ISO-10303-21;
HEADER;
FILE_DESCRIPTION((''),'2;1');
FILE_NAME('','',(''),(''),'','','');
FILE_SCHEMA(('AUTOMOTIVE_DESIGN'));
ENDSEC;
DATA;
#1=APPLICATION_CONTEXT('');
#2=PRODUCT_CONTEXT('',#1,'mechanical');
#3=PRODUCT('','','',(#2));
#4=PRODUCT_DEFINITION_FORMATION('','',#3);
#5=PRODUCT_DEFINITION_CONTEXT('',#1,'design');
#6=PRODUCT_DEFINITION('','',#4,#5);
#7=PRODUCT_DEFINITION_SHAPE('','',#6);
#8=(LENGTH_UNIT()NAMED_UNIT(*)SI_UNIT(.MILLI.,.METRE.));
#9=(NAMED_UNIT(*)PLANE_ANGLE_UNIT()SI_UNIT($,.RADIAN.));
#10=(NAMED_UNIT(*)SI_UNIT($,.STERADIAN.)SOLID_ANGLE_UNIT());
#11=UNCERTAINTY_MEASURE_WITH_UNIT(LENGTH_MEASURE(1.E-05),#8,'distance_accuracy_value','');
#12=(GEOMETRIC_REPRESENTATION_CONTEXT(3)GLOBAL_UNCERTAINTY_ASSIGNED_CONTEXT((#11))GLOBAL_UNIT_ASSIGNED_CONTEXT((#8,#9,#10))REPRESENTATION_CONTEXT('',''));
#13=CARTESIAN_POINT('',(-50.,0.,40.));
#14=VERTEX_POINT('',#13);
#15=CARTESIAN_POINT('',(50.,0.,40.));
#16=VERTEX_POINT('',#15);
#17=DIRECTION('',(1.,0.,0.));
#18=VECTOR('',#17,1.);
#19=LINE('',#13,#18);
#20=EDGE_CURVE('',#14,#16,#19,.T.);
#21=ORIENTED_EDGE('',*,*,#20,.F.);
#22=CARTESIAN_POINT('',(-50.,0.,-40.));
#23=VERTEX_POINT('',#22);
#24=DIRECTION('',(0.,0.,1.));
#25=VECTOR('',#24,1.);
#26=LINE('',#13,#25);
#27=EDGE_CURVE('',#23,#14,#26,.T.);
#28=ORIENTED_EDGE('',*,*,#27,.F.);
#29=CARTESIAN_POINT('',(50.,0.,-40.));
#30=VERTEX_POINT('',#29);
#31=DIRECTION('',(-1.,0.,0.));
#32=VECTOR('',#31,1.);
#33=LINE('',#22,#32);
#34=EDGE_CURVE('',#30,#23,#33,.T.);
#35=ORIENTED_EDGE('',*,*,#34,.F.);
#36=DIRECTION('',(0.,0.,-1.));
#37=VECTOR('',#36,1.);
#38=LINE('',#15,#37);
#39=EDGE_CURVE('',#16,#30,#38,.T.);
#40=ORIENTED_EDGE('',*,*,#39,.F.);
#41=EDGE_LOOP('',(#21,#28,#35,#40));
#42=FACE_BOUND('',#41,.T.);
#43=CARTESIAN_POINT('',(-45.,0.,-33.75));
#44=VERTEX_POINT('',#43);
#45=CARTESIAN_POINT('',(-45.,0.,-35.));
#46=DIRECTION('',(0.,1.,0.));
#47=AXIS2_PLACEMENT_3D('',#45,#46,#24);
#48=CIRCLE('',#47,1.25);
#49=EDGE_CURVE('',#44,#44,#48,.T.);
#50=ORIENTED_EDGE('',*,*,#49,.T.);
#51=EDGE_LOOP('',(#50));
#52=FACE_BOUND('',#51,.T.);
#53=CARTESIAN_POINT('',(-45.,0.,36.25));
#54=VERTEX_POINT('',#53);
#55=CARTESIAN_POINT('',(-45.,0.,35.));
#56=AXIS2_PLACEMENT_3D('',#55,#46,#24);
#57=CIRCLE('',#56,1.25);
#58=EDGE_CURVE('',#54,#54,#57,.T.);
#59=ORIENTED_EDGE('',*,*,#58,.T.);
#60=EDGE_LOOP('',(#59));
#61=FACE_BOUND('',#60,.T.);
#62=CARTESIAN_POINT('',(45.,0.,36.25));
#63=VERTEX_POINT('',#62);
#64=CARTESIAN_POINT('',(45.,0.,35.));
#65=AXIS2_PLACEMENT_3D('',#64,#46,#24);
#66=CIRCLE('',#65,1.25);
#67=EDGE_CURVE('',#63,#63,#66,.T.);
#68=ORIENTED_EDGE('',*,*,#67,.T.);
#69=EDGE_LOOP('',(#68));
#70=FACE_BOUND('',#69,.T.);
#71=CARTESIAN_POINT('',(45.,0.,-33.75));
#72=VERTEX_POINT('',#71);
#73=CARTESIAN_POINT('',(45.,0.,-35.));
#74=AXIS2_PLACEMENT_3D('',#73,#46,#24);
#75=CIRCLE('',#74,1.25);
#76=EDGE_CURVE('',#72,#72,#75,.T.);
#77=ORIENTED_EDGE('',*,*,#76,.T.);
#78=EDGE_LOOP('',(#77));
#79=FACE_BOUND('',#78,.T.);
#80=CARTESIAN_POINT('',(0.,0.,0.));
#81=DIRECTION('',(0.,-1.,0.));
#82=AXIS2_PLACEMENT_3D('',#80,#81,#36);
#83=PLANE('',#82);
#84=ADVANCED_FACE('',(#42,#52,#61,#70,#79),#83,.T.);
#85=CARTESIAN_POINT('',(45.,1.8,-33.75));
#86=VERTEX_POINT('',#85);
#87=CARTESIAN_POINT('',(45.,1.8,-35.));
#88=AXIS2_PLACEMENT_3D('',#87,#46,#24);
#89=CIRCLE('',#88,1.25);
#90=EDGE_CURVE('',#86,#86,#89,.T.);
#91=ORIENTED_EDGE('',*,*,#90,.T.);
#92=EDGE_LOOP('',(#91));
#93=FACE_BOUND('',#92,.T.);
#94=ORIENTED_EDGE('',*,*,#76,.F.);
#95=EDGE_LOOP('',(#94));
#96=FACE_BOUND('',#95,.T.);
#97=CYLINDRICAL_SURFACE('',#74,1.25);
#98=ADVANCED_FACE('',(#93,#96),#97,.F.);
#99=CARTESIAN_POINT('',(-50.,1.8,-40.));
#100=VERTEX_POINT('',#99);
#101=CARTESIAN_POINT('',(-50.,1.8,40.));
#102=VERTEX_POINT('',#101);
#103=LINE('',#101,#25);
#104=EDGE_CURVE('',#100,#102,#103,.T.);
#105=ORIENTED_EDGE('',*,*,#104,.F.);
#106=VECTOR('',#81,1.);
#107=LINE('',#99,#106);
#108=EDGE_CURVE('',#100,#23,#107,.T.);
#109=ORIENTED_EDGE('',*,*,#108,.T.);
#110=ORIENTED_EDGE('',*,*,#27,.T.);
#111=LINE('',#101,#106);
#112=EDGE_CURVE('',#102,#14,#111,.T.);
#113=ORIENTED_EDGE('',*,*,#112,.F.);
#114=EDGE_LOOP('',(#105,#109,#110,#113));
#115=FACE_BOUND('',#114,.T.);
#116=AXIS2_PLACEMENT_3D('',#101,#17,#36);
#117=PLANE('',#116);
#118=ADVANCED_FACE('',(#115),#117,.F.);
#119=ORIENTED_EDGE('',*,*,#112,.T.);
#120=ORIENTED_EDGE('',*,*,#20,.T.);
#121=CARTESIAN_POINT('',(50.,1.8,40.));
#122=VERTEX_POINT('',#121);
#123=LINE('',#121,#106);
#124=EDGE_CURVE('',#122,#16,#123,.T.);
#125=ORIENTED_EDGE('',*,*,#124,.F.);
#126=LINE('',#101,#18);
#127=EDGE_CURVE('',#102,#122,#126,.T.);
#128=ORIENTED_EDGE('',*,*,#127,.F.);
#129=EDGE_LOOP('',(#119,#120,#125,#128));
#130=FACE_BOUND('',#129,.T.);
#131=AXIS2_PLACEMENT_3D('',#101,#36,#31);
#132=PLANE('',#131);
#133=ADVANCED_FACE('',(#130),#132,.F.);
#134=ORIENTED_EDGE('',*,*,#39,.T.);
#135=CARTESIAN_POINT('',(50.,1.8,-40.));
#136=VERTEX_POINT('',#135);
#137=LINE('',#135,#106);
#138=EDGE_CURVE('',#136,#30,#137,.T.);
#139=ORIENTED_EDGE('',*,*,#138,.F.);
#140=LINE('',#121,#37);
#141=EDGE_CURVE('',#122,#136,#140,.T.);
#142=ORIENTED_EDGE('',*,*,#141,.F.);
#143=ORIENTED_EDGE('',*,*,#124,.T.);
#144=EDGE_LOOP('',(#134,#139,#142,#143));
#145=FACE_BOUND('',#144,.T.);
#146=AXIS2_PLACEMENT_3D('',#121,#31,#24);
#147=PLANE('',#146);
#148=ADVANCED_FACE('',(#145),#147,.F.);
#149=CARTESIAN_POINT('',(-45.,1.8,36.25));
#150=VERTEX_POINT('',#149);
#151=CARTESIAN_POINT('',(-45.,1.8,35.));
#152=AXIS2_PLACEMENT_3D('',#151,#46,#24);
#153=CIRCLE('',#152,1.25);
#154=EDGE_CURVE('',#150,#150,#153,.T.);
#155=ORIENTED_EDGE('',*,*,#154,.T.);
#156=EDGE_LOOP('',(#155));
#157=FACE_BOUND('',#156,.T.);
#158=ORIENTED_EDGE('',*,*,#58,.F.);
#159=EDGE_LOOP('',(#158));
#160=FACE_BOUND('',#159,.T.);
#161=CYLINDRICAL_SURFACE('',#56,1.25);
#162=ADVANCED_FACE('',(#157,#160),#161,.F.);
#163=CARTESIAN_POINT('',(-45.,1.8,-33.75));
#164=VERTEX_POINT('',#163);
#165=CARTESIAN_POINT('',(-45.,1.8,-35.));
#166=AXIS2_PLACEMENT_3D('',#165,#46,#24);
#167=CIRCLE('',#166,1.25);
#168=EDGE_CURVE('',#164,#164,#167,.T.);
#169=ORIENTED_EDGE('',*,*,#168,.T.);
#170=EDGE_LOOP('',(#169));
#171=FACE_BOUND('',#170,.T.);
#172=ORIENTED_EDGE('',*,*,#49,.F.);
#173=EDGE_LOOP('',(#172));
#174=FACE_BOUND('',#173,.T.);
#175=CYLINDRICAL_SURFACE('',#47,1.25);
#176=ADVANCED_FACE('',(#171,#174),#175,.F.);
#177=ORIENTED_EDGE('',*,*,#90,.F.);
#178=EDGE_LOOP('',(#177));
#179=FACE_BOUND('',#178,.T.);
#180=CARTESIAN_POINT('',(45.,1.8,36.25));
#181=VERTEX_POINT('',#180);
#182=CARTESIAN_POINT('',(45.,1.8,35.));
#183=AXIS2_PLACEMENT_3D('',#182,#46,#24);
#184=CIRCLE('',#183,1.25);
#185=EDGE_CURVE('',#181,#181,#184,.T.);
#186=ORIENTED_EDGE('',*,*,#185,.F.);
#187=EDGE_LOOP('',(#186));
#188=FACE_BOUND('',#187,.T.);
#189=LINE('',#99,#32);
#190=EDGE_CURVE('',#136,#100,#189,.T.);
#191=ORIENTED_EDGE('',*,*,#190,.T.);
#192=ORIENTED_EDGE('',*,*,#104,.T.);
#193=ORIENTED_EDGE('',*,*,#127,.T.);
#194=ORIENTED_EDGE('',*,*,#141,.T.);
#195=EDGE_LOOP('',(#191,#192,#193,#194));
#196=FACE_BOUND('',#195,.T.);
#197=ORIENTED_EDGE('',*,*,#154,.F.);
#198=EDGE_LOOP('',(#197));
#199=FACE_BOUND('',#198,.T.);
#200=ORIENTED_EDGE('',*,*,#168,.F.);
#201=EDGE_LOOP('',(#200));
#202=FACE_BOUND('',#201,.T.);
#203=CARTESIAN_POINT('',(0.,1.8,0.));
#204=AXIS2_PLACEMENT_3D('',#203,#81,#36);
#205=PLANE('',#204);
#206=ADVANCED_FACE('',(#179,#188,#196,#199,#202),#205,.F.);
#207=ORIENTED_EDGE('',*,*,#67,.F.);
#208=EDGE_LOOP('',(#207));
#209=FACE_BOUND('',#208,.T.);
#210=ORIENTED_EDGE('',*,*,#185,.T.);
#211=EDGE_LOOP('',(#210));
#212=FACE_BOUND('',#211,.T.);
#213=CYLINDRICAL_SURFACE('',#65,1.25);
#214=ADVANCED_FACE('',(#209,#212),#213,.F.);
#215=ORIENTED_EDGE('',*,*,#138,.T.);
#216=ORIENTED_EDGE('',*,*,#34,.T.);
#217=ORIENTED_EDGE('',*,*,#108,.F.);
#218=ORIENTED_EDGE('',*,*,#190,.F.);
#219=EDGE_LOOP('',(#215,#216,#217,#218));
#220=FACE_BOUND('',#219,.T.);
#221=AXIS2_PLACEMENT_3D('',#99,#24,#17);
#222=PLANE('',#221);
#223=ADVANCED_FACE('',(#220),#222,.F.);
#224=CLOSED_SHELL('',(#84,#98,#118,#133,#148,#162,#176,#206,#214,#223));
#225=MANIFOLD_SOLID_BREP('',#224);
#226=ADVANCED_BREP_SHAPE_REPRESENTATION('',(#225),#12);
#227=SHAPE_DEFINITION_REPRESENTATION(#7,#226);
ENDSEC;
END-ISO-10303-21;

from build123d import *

# Parameters (mm, degrees)
SKETCH1_W           = 100
SKETCH1_H           = 80
BOSS_EXTRUDE1_DEPTH = 1.8
SKETCH2_R           = 1.25
CUT_EXTRUDE1_DEPTH  = 2.8


with BuildPart() as part:
    # Sketch1 → Boss-Extrude1 (new body)
    with BuildSketch(Plane(origin=(0, 0, 0), x_dir=(1, 0, 0), z_dir=(0, 1, 0))):
        Rectangle(SKETCH1_W, SKETCH1_H)
    extrude(amount=BOSS_EXTRUDE1_DEPTH)

    # Sketch2 → Cut-Extrude1 (cut, through all)
    with BuildSketch(Plane(origin=(0, 1.8, 0), x_dir=(1, 0, 0), z_dir=(0, 1, 0))):
        with Locations((-45, -35)):
            Circle(SKETCH2_R)
        with Locations((-45, 35)):
            Circle(SKETCH2_R)
        with Locations((45, 35)):
            Circle(SKETCH2_R)
        with Locations((45, -35)):
            Circle(SKETCH2_R)
    extrude(amount=-CUT_EXTRUDE1_DEPTH, mode=Mode.SUBTRACT)


solid = part.part
